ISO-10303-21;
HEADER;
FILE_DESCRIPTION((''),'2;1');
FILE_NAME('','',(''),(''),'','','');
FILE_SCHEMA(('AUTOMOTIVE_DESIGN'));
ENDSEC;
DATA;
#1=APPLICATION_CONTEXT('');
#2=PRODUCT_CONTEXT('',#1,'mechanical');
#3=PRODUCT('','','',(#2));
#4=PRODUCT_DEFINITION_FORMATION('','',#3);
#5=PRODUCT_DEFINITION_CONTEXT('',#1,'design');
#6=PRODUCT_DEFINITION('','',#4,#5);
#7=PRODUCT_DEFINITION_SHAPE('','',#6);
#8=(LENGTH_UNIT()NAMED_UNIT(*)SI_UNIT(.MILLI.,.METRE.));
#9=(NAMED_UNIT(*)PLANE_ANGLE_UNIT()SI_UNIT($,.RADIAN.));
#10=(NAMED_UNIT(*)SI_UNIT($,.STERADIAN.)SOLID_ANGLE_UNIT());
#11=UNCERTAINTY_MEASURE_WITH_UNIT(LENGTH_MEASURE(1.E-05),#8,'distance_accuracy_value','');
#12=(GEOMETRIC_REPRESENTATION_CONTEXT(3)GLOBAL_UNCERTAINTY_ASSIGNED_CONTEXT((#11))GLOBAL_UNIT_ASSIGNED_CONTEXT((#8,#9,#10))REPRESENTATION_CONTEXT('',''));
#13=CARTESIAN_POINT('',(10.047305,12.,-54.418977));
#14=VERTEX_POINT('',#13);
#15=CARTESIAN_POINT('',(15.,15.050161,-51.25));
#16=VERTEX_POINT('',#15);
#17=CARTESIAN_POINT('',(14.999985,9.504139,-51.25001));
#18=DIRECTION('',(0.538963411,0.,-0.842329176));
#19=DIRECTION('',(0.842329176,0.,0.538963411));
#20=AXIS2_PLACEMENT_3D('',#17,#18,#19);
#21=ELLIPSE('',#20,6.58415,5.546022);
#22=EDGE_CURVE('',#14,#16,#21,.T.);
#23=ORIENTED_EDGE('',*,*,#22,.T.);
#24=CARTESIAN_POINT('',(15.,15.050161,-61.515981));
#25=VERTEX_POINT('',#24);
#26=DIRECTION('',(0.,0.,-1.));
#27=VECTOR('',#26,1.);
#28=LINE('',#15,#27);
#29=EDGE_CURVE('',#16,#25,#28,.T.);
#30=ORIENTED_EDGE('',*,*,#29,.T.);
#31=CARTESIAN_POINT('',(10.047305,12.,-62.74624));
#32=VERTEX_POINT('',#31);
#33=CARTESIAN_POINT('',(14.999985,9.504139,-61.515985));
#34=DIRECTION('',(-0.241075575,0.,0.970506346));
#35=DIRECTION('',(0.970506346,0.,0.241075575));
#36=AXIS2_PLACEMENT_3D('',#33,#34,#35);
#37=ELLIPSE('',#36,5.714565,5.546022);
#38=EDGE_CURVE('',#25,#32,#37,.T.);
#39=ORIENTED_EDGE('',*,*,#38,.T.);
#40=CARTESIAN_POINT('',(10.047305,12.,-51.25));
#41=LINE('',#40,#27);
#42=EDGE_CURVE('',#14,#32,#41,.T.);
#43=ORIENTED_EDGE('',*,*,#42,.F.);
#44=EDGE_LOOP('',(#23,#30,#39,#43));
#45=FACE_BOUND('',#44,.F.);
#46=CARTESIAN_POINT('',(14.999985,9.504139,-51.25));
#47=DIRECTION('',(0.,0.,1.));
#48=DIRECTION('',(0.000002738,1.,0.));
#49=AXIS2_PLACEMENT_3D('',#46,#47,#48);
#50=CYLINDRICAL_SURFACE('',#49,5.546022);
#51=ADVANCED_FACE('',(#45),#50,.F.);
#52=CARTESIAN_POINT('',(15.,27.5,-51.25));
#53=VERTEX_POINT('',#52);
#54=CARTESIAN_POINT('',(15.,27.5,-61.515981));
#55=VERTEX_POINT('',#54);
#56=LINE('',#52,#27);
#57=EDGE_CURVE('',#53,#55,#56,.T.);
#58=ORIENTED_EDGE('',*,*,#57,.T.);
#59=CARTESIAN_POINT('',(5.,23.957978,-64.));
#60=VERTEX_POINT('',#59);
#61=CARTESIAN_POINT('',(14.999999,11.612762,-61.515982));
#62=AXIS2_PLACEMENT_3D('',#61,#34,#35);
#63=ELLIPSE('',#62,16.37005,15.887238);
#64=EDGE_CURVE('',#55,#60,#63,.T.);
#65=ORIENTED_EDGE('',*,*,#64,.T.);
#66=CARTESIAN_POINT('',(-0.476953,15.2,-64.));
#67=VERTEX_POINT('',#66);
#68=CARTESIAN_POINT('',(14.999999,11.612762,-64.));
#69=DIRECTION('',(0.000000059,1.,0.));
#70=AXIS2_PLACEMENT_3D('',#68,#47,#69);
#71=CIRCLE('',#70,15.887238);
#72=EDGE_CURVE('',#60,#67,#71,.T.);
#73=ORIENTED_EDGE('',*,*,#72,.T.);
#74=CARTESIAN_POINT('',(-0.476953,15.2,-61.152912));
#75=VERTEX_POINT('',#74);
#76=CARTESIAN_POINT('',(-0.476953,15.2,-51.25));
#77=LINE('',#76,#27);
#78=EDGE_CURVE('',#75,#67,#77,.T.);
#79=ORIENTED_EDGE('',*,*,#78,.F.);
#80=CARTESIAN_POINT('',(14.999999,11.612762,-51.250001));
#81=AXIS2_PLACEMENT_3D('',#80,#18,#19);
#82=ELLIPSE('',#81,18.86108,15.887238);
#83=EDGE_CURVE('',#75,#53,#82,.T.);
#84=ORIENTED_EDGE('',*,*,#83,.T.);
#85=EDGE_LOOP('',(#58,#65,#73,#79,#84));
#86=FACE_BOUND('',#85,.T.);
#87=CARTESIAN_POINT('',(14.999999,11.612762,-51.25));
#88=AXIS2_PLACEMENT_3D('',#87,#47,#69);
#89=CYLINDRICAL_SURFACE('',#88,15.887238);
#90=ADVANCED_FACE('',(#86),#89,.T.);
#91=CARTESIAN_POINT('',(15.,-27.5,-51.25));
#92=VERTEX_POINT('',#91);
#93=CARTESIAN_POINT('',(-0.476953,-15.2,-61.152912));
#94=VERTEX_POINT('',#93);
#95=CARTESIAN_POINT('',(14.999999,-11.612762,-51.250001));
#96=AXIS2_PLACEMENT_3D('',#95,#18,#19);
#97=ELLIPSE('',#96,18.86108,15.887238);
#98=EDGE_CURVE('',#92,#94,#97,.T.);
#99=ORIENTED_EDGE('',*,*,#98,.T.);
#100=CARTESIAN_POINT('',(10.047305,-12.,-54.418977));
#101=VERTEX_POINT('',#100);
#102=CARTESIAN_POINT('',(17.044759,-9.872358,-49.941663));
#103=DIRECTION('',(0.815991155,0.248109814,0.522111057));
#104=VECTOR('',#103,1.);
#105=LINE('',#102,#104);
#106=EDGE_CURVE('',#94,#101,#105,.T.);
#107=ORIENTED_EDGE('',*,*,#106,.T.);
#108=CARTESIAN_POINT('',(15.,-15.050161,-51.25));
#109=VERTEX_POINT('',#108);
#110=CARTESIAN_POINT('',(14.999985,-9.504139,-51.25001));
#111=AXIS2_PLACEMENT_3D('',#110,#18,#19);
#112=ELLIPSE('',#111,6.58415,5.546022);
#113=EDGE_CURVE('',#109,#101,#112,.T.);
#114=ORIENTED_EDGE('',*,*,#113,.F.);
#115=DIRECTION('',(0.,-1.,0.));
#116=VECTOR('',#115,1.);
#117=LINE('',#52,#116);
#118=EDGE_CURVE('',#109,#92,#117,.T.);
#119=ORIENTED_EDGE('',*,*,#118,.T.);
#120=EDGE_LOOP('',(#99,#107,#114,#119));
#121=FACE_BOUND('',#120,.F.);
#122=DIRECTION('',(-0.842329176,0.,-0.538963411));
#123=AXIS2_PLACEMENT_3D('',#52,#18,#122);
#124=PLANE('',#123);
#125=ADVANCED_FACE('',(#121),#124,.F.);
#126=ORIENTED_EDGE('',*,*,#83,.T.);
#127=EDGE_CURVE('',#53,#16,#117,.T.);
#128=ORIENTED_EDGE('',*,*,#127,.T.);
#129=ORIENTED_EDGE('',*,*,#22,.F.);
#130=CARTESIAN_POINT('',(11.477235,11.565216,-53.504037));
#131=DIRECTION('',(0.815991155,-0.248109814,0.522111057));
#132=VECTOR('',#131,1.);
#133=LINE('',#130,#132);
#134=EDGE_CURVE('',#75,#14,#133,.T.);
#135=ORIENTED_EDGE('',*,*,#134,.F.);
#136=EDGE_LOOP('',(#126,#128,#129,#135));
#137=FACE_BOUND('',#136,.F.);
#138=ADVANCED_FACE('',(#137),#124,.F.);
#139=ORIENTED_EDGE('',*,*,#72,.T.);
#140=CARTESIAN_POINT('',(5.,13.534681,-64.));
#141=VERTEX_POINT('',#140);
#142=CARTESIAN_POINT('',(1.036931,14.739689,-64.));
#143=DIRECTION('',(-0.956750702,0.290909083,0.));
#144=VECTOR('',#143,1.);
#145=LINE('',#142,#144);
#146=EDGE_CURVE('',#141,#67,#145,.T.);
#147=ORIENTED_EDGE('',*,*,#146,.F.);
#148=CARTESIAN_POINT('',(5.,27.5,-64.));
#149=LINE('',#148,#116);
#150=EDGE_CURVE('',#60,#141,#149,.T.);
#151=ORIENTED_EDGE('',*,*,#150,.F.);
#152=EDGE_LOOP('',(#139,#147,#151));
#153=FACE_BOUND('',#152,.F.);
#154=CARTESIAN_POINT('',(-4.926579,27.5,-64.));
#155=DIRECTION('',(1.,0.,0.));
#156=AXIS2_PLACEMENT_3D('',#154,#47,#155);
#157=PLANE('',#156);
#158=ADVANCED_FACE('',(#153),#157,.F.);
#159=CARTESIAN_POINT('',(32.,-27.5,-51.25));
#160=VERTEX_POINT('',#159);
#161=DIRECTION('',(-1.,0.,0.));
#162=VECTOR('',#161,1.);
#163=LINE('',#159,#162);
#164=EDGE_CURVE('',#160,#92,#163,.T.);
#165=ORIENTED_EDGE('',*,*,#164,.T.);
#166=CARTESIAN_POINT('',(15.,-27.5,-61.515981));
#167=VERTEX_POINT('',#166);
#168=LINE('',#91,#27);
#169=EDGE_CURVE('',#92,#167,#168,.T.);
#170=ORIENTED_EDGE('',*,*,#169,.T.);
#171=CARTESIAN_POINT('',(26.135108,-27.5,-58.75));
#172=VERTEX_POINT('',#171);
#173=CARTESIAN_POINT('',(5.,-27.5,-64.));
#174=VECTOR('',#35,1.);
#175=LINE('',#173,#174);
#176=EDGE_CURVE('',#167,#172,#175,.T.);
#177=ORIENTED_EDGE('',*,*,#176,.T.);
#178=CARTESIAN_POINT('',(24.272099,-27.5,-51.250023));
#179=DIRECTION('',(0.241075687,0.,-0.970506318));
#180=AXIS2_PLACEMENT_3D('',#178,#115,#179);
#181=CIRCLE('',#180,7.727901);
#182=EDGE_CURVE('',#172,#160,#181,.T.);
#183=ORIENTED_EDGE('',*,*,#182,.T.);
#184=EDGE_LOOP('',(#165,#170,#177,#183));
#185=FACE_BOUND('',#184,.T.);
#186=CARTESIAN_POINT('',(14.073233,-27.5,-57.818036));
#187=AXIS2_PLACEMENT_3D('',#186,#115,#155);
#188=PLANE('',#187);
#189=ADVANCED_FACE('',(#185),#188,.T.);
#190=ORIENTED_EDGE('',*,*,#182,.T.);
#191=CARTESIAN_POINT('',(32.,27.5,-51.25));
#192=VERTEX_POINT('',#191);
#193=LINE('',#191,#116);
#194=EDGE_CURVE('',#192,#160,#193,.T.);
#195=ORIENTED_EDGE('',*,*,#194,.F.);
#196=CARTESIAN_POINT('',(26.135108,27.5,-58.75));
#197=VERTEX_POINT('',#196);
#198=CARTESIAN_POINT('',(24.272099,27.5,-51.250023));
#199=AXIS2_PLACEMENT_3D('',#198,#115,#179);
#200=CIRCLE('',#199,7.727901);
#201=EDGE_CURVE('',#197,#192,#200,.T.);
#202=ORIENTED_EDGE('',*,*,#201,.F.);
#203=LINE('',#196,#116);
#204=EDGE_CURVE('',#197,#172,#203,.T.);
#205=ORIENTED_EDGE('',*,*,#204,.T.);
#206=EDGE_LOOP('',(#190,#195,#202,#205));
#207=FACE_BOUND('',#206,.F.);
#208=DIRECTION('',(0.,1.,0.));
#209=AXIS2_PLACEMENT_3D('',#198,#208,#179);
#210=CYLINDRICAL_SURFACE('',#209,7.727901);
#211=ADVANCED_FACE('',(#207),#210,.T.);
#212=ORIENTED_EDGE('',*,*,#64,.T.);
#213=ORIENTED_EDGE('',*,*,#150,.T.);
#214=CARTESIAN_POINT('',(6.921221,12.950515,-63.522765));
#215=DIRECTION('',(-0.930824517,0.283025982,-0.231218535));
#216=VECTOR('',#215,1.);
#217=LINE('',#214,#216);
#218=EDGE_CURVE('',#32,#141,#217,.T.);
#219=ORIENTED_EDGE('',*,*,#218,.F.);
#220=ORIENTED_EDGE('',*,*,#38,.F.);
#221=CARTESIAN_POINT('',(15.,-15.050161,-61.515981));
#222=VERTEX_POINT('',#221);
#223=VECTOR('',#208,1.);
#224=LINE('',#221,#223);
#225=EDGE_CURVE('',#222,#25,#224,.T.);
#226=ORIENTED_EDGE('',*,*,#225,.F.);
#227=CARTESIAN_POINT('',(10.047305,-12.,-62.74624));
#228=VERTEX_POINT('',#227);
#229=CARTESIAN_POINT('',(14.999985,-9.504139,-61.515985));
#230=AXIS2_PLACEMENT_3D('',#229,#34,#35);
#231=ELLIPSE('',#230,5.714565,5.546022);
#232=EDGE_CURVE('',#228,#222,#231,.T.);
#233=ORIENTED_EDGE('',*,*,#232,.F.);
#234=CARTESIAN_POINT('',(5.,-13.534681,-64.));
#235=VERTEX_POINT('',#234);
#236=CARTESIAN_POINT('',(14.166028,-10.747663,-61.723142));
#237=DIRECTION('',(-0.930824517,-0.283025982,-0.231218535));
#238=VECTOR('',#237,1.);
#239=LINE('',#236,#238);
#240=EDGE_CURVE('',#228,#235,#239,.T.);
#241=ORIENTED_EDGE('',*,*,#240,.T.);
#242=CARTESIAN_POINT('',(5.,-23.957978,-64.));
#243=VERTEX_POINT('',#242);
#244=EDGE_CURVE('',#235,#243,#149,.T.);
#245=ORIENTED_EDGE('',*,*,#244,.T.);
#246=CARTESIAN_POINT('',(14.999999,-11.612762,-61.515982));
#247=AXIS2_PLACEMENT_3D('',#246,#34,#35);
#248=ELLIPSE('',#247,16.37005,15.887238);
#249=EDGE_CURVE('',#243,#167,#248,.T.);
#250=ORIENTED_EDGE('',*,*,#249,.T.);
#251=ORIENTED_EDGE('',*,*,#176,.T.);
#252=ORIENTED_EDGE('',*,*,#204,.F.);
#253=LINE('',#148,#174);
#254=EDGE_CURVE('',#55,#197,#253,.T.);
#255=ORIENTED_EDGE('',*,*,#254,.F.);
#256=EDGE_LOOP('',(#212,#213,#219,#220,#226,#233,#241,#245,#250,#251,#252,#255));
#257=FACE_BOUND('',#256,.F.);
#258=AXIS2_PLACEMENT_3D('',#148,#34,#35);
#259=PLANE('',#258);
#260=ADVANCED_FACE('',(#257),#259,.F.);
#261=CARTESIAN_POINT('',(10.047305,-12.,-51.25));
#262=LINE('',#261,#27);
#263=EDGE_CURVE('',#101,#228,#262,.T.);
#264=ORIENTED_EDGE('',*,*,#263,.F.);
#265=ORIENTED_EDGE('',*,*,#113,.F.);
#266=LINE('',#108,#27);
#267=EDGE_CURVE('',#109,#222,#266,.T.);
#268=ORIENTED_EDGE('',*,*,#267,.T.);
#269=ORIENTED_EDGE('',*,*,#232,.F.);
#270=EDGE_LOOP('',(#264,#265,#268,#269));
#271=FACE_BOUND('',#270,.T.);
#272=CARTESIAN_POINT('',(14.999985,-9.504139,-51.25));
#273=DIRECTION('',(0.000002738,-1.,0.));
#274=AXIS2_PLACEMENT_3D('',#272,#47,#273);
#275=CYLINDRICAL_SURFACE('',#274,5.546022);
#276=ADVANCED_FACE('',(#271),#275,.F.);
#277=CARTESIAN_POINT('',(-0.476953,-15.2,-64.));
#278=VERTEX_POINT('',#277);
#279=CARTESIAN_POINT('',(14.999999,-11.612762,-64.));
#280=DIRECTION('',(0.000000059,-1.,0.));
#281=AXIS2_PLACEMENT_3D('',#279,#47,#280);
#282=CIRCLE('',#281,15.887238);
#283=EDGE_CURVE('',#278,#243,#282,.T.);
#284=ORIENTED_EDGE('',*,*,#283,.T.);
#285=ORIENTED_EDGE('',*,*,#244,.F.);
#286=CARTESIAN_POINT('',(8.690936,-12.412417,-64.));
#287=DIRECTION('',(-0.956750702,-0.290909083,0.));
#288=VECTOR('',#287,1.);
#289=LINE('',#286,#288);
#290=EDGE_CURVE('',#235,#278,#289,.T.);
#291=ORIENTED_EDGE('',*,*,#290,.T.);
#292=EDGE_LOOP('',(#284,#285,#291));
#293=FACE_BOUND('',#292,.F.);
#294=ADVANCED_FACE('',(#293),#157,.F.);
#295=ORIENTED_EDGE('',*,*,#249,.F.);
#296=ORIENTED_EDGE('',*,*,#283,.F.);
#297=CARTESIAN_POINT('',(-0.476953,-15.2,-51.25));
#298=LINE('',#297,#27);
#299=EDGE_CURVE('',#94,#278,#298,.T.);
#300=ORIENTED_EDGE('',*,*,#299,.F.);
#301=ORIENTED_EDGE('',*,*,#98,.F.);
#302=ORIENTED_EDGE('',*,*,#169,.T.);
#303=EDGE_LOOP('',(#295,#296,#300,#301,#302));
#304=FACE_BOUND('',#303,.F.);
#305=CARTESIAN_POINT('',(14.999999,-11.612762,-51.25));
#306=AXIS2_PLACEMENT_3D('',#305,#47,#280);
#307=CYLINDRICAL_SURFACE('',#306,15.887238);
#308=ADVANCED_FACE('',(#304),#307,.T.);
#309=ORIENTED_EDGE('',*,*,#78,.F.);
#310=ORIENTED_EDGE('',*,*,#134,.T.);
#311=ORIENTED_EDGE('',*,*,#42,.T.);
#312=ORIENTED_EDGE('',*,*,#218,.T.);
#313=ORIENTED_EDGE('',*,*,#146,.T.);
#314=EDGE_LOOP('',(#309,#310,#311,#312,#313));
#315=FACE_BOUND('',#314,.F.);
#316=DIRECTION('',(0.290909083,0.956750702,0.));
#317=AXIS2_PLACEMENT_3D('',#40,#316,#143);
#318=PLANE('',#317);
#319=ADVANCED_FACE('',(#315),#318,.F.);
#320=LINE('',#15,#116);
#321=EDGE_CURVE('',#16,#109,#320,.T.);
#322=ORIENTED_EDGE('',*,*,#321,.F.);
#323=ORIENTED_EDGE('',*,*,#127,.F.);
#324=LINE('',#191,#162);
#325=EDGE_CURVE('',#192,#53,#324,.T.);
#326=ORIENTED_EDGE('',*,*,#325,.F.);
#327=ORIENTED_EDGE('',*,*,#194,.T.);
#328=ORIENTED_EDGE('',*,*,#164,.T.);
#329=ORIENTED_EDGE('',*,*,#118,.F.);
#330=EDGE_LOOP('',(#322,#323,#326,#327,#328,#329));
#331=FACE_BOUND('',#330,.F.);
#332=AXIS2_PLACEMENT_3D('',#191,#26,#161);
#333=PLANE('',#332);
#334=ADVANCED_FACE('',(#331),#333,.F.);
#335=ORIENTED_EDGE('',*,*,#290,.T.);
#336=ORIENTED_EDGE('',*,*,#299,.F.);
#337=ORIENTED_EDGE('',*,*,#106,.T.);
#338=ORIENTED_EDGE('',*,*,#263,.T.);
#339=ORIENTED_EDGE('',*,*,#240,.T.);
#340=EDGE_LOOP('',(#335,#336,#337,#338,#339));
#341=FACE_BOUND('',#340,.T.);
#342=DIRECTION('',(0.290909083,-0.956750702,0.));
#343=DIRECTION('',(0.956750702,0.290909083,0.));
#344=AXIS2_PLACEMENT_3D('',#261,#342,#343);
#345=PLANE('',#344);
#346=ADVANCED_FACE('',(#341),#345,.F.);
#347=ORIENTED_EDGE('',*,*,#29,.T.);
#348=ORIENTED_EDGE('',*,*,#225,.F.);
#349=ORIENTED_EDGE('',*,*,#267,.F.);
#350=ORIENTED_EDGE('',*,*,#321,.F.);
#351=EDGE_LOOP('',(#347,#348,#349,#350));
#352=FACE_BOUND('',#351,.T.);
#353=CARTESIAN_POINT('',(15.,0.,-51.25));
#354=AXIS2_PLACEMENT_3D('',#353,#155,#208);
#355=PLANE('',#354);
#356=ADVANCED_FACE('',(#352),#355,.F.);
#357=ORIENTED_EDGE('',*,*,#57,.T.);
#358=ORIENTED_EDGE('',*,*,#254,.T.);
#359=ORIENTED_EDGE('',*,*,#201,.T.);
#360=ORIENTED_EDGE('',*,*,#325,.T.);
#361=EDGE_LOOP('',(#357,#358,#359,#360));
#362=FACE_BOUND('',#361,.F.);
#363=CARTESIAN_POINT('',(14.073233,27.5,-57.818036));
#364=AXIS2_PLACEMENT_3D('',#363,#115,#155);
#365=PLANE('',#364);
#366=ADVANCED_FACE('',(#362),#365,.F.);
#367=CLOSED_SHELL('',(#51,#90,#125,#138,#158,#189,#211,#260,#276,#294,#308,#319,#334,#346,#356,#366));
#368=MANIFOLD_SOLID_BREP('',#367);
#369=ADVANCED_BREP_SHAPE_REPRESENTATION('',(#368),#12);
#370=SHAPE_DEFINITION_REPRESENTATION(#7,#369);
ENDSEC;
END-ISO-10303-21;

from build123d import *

# Parameters (mm, degrees)
PAD046_DEPTH    = 55
POCKET064_DEPTH = 147.675197


with BuildPart() as part:
    # Sketch126 → Pad046 (new body)
    with BuildSketch(Plane.XZ.offset(-27.5)):
        with BuildLine():
            ThreePointArc((-5.864892, -58.75), (-1.6403, -56.01044), (0, -51.25))
            Line((0, -51.25), (-17, -51.25))
            Line((-17, -51.25), (-36.926579, -64))
            Line((-36.926579, -64), (-27, -64))
            Line((-27, -64), (-5.864892, -58.75))
        make_face()
    extrude(amount=PAD046_DEPTH)

    # Sketch127 (on Face3 of Pad046) → Pocket064 (cut, through all)
    with BuildSketch(Plane(origin=(0, 0, -51.25), x_dir=(0, -1, 0), z_dir=(0, 0, 1))):
        with BuildLine():
            Line((-27.5, -17), (-27.5, -43))
            Line((-27.5, -43), (0, -43))
            Line((0, -43), (0, -17))
            Line((0, -17), (-15.050161, -17))
            ThreePointArc((-15.050161, -17), (-14.226455, -19.908295), (-12, -21.952695))
            Line((-12, -21.952695), (-15.2, -32.476953))
            ThreePointArc((-27.5, -17), (-24.05052, -26.884661), (-15.2, -32.476953))
        make_face()
    pocket064 = extrude(amount=-POCKET064_DEPTH, mode=Mode.SUBTRACT)

    # Mirrored003: Pocket064 across Sketch127 V_Axis
    add(pocket064.mirror(Plane(origin=(0, 0, -51.25), x_dir=(0, 0, 1), z_dir=(0, -1, 0))), mode=Mode.SUBTRACT)


with BuildPart() as part_1:
    # Body017 placement: moved
    add(part.part.moved(Location((32, 0, 0))))


solid = part_1.part
